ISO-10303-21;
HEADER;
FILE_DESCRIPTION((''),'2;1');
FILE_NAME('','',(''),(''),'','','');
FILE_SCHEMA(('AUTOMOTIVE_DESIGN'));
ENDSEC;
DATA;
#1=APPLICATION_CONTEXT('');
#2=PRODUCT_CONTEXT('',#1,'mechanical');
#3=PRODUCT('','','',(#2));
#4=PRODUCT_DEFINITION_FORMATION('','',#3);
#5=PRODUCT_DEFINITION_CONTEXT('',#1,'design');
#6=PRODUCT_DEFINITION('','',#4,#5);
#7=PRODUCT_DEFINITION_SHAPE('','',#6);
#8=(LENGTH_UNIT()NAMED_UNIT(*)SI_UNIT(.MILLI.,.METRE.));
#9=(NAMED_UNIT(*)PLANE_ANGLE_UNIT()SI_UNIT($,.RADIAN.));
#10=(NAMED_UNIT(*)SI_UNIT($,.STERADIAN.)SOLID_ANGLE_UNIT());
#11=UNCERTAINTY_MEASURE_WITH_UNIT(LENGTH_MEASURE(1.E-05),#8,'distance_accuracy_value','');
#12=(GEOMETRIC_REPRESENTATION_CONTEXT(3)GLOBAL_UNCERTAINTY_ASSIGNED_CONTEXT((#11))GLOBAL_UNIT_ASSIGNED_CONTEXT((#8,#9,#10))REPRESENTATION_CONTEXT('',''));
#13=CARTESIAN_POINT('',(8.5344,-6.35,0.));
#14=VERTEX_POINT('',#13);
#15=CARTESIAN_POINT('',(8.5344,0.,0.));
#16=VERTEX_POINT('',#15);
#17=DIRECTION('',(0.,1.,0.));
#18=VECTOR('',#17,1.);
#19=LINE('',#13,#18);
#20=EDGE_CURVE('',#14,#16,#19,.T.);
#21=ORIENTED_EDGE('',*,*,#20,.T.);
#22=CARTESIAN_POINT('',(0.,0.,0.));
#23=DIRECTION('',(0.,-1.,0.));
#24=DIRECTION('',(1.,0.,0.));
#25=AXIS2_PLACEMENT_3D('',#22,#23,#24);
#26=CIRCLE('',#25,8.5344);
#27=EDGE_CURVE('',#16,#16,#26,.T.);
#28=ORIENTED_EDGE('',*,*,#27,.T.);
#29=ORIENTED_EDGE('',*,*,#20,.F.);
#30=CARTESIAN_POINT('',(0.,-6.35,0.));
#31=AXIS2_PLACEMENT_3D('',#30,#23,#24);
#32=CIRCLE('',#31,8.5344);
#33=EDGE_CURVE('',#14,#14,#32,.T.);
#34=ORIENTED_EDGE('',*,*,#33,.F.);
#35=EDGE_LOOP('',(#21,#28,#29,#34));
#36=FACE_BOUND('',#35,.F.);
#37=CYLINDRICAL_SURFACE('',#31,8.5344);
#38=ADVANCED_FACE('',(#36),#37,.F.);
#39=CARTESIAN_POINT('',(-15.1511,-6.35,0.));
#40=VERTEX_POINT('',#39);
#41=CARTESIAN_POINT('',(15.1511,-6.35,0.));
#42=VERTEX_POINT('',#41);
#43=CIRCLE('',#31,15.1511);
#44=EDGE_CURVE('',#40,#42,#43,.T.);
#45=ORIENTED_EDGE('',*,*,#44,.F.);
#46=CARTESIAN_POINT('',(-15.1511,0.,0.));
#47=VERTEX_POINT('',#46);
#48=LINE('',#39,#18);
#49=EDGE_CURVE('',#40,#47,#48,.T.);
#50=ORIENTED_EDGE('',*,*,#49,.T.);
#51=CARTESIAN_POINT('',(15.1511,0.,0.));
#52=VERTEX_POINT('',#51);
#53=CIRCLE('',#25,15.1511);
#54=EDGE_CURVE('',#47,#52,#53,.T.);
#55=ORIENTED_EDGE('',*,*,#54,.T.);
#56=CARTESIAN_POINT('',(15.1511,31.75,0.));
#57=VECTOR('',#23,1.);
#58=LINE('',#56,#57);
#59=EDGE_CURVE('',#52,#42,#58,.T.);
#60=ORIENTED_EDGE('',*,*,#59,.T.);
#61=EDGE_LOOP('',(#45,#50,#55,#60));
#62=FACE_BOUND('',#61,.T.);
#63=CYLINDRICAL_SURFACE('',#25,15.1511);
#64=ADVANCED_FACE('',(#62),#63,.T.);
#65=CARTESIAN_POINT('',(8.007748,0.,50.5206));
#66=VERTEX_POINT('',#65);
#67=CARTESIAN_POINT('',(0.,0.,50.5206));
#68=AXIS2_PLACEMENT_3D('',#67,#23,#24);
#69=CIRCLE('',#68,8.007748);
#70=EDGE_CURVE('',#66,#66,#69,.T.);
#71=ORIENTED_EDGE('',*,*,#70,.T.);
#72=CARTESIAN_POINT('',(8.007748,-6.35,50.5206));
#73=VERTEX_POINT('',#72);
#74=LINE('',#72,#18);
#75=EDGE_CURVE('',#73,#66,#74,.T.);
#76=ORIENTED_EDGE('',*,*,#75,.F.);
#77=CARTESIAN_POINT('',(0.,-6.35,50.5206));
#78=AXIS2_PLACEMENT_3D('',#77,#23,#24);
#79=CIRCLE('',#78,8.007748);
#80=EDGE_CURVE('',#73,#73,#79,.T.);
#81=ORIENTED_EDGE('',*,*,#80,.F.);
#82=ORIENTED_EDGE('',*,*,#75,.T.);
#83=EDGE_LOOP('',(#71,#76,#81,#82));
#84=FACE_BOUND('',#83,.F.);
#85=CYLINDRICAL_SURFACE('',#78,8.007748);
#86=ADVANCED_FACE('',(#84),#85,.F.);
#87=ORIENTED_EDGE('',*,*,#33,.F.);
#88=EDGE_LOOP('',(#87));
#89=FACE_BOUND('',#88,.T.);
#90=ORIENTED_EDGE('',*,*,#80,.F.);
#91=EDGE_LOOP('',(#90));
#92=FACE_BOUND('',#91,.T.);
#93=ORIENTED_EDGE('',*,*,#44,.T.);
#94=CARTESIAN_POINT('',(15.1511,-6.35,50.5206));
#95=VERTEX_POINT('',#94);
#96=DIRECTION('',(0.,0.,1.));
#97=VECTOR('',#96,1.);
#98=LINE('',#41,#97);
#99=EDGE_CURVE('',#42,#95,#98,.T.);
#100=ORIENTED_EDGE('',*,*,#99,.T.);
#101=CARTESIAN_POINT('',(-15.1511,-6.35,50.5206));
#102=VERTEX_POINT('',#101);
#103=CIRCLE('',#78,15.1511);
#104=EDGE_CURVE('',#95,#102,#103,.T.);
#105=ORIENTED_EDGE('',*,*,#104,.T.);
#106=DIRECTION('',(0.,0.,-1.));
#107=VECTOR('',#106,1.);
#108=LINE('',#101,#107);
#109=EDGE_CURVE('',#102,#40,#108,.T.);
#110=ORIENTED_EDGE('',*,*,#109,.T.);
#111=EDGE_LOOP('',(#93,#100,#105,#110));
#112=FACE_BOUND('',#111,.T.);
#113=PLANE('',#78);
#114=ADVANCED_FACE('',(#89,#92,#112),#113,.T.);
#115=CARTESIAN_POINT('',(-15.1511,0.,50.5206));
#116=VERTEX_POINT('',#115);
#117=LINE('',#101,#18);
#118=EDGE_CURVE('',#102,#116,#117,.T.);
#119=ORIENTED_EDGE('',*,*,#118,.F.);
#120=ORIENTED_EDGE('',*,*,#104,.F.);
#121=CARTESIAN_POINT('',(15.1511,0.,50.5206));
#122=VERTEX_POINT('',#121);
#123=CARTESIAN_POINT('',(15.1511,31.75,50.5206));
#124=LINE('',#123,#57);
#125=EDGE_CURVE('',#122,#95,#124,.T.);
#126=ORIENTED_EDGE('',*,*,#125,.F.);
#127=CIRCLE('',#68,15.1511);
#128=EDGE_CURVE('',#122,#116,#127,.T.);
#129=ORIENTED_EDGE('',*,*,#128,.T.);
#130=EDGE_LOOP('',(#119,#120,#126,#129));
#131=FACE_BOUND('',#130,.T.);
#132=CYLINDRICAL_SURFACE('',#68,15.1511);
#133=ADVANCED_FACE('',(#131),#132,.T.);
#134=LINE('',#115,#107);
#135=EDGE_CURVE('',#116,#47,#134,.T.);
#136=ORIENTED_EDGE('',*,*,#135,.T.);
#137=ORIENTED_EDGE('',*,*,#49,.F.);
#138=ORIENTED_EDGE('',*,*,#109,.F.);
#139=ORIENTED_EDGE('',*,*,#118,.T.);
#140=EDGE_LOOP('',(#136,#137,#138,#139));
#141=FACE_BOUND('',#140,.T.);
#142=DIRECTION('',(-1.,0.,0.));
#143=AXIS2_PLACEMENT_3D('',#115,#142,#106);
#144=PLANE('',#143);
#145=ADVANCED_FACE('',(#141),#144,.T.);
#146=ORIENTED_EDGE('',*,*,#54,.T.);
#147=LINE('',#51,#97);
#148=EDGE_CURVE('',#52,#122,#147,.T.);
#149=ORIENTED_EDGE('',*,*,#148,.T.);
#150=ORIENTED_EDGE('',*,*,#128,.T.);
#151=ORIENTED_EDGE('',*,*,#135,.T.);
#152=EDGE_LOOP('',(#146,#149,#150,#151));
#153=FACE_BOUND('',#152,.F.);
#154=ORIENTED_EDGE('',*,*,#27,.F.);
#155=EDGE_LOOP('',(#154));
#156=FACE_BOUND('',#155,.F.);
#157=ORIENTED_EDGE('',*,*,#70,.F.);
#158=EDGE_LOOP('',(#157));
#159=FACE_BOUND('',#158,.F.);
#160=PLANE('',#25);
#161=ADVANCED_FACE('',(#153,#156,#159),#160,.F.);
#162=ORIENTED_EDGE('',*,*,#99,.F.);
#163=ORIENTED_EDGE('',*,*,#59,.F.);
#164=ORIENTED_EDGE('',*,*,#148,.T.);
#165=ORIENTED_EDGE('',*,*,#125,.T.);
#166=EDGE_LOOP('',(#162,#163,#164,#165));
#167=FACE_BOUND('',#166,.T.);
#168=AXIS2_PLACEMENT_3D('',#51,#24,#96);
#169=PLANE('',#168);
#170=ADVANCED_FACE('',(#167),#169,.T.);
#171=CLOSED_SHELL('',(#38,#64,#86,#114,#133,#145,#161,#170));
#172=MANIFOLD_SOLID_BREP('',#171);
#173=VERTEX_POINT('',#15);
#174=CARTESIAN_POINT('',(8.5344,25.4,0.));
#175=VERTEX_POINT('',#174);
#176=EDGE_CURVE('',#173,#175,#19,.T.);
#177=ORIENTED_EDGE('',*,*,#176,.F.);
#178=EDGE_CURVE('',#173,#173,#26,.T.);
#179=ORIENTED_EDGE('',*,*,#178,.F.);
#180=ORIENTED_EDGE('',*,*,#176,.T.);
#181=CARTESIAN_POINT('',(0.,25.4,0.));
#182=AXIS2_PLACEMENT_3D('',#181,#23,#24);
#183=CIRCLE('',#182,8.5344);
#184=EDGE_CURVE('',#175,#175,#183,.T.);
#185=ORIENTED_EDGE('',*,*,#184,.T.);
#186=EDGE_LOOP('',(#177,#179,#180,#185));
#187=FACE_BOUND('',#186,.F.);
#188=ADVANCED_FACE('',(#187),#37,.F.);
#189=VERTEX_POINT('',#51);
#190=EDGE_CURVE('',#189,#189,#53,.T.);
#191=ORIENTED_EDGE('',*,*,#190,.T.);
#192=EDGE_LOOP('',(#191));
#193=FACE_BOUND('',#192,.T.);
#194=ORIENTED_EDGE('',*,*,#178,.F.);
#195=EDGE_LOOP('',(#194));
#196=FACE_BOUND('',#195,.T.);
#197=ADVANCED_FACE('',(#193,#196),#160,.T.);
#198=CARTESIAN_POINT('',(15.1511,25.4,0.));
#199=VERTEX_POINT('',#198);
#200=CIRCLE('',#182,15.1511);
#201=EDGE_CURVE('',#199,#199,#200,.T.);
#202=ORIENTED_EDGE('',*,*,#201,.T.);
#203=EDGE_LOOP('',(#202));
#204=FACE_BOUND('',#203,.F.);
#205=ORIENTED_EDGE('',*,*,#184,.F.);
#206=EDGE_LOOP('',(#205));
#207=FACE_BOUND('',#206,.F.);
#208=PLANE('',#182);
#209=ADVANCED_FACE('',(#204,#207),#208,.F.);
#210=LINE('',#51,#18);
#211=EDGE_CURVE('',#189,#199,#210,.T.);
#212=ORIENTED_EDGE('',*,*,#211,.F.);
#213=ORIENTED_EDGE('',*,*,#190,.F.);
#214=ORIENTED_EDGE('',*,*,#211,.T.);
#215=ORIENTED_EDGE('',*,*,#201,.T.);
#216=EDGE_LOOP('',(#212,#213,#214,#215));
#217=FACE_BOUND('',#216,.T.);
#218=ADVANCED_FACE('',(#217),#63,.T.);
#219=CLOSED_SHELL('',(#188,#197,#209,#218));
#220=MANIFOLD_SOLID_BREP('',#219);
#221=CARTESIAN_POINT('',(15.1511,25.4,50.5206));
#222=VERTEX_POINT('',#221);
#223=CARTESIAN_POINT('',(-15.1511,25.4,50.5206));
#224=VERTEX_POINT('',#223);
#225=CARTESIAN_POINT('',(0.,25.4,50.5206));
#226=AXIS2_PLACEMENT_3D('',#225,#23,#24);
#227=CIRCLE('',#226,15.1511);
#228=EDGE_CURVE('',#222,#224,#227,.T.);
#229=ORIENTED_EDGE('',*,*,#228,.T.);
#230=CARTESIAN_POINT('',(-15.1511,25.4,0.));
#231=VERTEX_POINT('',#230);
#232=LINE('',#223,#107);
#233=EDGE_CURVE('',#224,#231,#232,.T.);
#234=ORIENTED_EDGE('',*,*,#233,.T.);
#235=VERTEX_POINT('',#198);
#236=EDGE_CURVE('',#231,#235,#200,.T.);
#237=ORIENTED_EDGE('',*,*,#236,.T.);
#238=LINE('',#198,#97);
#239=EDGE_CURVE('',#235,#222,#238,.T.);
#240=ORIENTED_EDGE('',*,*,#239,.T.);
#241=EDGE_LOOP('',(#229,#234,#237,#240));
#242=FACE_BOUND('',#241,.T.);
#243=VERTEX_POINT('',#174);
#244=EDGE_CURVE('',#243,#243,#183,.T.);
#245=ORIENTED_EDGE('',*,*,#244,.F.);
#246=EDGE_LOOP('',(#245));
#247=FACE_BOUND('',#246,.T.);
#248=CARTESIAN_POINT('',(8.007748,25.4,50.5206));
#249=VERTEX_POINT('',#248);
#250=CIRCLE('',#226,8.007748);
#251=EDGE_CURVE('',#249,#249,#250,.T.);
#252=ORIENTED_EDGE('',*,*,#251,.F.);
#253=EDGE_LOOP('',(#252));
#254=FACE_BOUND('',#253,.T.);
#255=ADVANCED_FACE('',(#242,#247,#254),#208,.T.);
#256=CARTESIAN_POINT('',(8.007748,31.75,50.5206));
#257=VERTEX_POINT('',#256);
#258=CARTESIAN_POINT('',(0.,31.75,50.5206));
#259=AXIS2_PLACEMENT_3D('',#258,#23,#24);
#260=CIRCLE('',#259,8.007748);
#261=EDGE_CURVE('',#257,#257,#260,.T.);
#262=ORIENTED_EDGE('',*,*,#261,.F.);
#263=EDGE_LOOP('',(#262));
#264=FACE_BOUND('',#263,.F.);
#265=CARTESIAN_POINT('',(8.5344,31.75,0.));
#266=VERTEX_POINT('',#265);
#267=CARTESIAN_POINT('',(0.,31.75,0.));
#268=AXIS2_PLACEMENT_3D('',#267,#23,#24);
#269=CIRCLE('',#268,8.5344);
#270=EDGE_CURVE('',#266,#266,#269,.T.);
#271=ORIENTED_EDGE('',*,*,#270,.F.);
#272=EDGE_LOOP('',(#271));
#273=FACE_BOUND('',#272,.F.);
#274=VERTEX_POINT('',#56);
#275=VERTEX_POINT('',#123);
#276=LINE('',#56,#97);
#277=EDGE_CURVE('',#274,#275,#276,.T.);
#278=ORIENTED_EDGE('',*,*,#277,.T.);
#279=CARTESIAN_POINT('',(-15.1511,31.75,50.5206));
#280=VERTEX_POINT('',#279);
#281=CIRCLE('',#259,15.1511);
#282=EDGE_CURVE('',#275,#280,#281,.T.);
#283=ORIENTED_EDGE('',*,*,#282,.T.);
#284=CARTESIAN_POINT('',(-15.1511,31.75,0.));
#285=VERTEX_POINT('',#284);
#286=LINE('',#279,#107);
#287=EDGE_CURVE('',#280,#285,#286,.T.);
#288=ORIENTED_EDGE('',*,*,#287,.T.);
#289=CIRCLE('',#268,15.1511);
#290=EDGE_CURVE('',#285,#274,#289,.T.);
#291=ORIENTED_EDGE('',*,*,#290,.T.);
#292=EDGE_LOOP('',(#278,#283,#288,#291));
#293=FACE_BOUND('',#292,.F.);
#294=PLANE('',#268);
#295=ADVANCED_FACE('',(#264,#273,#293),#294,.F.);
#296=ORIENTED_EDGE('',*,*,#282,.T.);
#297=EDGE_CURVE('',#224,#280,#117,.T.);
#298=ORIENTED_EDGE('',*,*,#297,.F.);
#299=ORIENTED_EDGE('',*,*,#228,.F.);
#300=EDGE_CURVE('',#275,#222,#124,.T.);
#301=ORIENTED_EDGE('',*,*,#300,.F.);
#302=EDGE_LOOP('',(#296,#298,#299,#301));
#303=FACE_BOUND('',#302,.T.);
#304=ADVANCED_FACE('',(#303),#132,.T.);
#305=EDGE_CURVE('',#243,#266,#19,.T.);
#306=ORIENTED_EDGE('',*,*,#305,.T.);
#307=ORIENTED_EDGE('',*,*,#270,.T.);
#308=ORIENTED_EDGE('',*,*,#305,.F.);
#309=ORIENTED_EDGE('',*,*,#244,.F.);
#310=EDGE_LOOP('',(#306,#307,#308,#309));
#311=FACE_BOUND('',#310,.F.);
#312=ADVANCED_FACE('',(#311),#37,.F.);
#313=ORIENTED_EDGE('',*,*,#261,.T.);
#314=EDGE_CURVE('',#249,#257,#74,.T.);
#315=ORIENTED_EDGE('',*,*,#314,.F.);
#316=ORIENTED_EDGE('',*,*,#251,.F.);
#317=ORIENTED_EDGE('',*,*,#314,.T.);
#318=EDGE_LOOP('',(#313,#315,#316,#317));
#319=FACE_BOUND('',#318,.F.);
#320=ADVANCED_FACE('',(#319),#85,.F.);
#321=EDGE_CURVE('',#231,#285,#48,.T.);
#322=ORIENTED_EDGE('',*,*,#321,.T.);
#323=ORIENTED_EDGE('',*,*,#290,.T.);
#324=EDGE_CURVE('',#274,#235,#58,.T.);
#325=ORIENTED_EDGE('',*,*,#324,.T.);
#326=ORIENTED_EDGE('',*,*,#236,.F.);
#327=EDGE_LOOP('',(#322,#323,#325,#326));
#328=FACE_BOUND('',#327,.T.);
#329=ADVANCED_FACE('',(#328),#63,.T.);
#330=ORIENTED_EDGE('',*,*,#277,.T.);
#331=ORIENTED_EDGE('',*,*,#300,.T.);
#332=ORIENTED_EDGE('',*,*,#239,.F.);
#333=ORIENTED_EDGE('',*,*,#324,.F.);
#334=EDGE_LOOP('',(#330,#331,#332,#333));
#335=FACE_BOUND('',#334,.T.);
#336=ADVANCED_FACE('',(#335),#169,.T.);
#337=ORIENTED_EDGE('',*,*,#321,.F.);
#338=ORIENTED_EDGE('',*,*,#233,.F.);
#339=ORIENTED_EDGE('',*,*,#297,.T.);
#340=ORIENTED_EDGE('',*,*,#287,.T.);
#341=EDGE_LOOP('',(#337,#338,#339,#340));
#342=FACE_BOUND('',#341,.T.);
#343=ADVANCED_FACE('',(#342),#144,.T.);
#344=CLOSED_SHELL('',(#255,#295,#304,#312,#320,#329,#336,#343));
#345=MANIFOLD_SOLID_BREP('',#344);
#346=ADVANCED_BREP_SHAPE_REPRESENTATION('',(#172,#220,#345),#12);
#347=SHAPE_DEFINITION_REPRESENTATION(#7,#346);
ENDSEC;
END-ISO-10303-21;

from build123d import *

# Parameters (mm, degrees)
F1_DEPTH = 6.35
F2_DEPTH = 31.75
F3_DEPTH = 25.4
F4_DEPTH = 25.4
F5_R     = 8.007748
F5_R_2   = 8.5344
F6_DEPTH = 38.101


with BuildPart() as f1:
    # F0 (on Front) → F1 (new body)
    with BuildSketch(Plane.XZ):
        with BuildLine():
            ThreePointArc((-15.1511, 50.5206), (0, 35.3695), (15.1511, 50.5206))
            ThreePointArc((15.1511, 50.5206), (0, 65.6717), (-15.1511, 50.5206))
        make_face()
        with BuildLine():
            ThreePointArc((-15.1511, 0), (0, 15.1511), (15.1511, 0))
            Line((15.1511, 0), (15.1511, 50.5206))
            ThreePointArc((15.1511, 50.5206), (0, 35.3695), (-15.1511, 50.5206))
            Line((-15.1511, 50.5206), (-15.1511, 0))
        make_face()
        with BuildLine():
            ThreePointArc((-15.1511, 0), (0, -15.1511), (15.1511, 0))
            ThreePointArc((15.1511, 0), (0, 15.1511), (-15.1511, 0))
        make_face()
    extrude(amount=F1_DEPTH)

    # F0 (on Front) → F2 (join)
    with BuildSketch(Plane.XZ):
        with BuildLine():
            ThreePointArc((-15.1511, 0), (0, -15.1511), (15.1511, 0))
            ThreePointArc((15.1511, 0), (0, 15.1511), (-15.1511, 0))
        make_face()
        with BuildLine():
            ThreePointArc((-15.1511, 0), (0, 15.1511), (15.1511, 0))
            Line((15.1511, 0), (15.1511, 50.5206))
            ThreePointArc((15.1511, 50.5206), (0, 35.3695), (-15.1511, 50.5206))
            Line((-15.1511, 50.5206), (-15.1511, 0))
        make_face()
        with BuildLine():
            ThreePointArc((-15.1511, 50.5206), (0, 35.3695), (15.1511, 50.5206))
            ThreePointArc((15.1511, 50.5206), (0, 65.6717), (-15.1511, 50.5206))
        make_face()
    extrude(amount=-F2_DEPTH)

    # F0 (on Front) → F3 (cut)
    with BuildSketch(Plane.XZ):
        with BuildLine():
            ThreePointArc((-15.1511, 0), (0, -15.1511), (15.1511, 0))
            ThreePointArc((15.1511, 0), (0, 15.1511), (-15.1511, 0))
        make_face()
        with BuildLine():
            ThreePointArc((-15.1511, 0), (0, 15.1511), (15.1511, 0))
            Line((15.1511, 0), (15.1511, 50.5206))
            ThreePointArc((15.1511, 50.5206), (0, 35.3695), (-15.1511, 50.5206))
            Line((-15.1511, 50.5206), (-15.1511, 0))
        make_face()
        with BuildLine():
            ThreePointArc((-15.1511, 50.5206), (0, 35.3695), (15.1511, 50.5206))
            ThreePointArc((15.1511, 50.5206), (0, 65.6717), (-15.1511, 50.5206))
        make_face()
    extrude(amount=-F3_DEPTH, mode=Mode.SUBTRACT)


with BuildPart() as f4:
    # F0 (on Front) → F4 (new body)
    with BuildSketch(Plane.XZ):
        with BuildLine():
            ThreePointArc((-15.1511, 0), (0, -15.1511), (15.1511, 0))
            ThreePointArc((15.1511, 0), (0, 15.1511), (-15.1511, 0))
        make_face()
    extrude(amount=-F4_DEPTH)


with BuildPart() as f6_tool:
    # F5 (on face) → F6 (new body, through all)
    with BuildSketch(Plane.XZ.offset(6.35)):
        with Locations((0, 50.5206)):
            Circle(F5_R)
        Circle(F5_R_2)
    extrude(amount=-F6_DEPTH)


with BuildPart() as f1_1:
    add(f1.part)

    # F6: cut by f6_tool
    add(f6_tool.part, mode=Mode.SUBTRACT)


with BuildPart() as f4_1:
    add(f4.part)

    # F6: cut by f6_tool
    add(f6_tool.part, mode=Mode.SUBTRACT)


solid = Compound([f1_1.part, f4_1.part])
